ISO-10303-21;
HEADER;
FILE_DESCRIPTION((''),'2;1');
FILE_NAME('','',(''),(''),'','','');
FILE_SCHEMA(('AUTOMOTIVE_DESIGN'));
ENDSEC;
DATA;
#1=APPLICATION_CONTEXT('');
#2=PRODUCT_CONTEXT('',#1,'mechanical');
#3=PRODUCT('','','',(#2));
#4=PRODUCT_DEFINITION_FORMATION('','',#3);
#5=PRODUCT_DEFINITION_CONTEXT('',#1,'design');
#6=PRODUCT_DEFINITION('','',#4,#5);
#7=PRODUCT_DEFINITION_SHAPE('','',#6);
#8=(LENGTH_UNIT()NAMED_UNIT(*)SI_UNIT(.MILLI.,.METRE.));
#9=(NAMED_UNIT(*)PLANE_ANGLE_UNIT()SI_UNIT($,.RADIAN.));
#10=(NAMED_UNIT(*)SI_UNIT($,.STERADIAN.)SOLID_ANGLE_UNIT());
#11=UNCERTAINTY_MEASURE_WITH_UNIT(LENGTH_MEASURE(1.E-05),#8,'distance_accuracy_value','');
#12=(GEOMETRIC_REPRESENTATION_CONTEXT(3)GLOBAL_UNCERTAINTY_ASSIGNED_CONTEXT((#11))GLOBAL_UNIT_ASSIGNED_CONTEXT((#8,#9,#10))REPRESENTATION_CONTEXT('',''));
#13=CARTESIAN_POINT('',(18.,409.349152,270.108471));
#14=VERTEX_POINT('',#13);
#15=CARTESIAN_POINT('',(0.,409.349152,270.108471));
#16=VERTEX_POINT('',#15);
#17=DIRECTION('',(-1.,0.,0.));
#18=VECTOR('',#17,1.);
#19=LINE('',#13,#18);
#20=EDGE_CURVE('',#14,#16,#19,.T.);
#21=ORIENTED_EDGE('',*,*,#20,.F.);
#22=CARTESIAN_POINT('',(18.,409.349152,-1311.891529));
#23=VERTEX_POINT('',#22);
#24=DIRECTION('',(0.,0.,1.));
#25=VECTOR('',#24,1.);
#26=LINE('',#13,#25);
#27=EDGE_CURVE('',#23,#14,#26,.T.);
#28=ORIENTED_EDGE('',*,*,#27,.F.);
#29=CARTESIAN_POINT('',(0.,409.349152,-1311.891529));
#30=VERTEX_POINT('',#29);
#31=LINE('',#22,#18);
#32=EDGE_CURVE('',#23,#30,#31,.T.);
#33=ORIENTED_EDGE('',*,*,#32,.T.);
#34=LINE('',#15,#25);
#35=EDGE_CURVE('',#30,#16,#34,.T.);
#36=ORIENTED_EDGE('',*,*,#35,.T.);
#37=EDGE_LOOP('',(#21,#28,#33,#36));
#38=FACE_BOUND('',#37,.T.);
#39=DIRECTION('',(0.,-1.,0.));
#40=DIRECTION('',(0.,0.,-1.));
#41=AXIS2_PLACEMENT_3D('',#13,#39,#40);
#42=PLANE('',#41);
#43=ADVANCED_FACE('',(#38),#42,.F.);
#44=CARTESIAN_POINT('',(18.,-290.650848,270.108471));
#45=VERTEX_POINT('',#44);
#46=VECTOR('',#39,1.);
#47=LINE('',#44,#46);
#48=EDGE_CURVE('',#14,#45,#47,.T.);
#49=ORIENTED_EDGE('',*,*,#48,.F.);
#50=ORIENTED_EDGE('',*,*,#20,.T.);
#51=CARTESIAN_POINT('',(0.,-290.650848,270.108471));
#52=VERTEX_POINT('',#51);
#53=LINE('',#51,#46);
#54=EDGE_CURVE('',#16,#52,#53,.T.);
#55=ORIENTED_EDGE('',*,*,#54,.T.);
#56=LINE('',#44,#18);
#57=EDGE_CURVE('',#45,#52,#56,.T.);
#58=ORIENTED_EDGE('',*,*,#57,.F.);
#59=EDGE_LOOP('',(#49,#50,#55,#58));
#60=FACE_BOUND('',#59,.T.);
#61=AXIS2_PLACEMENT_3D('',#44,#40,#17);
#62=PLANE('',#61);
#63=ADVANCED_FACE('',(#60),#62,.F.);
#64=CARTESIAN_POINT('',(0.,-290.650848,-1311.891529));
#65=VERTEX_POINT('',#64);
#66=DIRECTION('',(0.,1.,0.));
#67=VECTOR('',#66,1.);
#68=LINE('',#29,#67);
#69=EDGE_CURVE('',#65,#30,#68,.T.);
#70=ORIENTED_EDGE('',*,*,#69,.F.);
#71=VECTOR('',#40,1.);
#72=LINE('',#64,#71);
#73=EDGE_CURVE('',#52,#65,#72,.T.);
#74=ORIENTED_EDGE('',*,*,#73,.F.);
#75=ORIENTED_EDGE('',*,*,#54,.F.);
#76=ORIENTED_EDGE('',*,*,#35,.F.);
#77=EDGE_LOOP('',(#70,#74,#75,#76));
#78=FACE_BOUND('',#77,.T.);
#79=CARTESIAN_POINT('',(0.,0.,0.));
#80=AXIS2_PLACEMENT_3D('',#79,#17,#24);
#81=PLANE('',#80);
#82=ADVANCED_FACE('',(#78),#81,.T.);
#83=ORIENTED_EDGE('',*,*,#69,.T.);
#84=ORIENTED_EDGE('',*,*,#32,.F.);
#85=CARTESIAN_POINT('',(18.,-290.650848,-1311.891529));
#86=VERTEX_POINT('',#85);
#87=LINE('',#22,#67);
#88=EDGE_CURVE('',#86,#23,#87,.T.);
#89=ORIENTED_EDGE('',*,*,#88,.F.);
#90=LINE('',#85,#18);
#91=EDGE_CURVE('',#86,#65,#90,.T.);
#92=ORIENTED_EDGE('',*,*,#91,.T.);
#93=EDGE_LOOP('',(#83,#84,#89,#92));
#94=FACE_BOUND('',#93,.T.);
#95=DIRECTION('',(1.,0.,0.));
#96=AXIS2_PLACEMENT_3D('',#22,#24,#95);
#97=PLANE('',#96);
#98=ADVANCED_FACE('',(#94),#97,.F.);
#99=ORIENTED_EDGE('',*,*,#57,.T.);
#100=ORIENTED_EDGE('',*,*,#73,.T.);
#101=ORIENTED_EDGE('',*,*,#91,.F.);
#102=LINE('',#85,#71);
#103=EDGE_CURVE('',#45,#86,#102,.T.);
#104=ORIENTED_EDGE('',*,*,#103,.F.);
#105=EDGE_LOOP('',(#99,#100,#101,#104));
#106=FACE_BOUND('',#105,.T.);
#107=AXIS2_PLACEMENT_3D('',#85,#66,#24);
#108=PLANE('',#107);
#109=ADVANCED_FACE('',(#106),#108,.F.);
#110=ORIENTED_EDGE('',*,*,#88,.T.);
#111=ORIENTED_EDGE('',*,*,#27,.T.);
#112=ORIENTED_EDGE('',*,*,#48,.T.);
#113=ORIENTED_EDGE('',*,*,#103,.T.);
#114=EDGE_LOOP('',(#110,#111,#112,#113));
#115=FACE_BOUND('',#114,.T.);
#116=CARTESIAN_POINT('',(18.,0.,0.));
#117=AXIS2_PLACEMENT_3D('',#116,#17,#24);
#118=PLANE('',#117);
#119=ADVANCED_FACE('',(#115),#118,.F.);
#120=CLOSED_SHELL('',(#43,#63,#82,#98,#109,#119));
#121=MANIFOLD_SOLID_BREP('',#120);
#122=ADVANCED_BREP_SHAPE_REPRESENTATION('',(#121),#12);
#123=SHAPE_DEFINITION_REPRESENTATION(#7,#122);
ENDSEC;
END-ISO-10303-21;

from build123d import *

# Parameters (mm, degrees)
SKETCH_1_W      = 1582
SKETCH_1_H      = 700
EXTRUDE_1_DEPTH = 18


with BuildPart() as part:
    # Эскиз1 → Бобышка-Вытянуть1 (new body)
    with BuildSketch(Plane(origin=(0, 0, 0), x_dir=(0, 0, -1), z_dir=(1, 0, 0))):
        with Locations((520.891528929, 59.349151892)):
            Rectangle(SKETCH_1_W, SKETCH_1_H)
    extrude(amount=EXTRUDE_1_DEPTH)


solid = part.part
